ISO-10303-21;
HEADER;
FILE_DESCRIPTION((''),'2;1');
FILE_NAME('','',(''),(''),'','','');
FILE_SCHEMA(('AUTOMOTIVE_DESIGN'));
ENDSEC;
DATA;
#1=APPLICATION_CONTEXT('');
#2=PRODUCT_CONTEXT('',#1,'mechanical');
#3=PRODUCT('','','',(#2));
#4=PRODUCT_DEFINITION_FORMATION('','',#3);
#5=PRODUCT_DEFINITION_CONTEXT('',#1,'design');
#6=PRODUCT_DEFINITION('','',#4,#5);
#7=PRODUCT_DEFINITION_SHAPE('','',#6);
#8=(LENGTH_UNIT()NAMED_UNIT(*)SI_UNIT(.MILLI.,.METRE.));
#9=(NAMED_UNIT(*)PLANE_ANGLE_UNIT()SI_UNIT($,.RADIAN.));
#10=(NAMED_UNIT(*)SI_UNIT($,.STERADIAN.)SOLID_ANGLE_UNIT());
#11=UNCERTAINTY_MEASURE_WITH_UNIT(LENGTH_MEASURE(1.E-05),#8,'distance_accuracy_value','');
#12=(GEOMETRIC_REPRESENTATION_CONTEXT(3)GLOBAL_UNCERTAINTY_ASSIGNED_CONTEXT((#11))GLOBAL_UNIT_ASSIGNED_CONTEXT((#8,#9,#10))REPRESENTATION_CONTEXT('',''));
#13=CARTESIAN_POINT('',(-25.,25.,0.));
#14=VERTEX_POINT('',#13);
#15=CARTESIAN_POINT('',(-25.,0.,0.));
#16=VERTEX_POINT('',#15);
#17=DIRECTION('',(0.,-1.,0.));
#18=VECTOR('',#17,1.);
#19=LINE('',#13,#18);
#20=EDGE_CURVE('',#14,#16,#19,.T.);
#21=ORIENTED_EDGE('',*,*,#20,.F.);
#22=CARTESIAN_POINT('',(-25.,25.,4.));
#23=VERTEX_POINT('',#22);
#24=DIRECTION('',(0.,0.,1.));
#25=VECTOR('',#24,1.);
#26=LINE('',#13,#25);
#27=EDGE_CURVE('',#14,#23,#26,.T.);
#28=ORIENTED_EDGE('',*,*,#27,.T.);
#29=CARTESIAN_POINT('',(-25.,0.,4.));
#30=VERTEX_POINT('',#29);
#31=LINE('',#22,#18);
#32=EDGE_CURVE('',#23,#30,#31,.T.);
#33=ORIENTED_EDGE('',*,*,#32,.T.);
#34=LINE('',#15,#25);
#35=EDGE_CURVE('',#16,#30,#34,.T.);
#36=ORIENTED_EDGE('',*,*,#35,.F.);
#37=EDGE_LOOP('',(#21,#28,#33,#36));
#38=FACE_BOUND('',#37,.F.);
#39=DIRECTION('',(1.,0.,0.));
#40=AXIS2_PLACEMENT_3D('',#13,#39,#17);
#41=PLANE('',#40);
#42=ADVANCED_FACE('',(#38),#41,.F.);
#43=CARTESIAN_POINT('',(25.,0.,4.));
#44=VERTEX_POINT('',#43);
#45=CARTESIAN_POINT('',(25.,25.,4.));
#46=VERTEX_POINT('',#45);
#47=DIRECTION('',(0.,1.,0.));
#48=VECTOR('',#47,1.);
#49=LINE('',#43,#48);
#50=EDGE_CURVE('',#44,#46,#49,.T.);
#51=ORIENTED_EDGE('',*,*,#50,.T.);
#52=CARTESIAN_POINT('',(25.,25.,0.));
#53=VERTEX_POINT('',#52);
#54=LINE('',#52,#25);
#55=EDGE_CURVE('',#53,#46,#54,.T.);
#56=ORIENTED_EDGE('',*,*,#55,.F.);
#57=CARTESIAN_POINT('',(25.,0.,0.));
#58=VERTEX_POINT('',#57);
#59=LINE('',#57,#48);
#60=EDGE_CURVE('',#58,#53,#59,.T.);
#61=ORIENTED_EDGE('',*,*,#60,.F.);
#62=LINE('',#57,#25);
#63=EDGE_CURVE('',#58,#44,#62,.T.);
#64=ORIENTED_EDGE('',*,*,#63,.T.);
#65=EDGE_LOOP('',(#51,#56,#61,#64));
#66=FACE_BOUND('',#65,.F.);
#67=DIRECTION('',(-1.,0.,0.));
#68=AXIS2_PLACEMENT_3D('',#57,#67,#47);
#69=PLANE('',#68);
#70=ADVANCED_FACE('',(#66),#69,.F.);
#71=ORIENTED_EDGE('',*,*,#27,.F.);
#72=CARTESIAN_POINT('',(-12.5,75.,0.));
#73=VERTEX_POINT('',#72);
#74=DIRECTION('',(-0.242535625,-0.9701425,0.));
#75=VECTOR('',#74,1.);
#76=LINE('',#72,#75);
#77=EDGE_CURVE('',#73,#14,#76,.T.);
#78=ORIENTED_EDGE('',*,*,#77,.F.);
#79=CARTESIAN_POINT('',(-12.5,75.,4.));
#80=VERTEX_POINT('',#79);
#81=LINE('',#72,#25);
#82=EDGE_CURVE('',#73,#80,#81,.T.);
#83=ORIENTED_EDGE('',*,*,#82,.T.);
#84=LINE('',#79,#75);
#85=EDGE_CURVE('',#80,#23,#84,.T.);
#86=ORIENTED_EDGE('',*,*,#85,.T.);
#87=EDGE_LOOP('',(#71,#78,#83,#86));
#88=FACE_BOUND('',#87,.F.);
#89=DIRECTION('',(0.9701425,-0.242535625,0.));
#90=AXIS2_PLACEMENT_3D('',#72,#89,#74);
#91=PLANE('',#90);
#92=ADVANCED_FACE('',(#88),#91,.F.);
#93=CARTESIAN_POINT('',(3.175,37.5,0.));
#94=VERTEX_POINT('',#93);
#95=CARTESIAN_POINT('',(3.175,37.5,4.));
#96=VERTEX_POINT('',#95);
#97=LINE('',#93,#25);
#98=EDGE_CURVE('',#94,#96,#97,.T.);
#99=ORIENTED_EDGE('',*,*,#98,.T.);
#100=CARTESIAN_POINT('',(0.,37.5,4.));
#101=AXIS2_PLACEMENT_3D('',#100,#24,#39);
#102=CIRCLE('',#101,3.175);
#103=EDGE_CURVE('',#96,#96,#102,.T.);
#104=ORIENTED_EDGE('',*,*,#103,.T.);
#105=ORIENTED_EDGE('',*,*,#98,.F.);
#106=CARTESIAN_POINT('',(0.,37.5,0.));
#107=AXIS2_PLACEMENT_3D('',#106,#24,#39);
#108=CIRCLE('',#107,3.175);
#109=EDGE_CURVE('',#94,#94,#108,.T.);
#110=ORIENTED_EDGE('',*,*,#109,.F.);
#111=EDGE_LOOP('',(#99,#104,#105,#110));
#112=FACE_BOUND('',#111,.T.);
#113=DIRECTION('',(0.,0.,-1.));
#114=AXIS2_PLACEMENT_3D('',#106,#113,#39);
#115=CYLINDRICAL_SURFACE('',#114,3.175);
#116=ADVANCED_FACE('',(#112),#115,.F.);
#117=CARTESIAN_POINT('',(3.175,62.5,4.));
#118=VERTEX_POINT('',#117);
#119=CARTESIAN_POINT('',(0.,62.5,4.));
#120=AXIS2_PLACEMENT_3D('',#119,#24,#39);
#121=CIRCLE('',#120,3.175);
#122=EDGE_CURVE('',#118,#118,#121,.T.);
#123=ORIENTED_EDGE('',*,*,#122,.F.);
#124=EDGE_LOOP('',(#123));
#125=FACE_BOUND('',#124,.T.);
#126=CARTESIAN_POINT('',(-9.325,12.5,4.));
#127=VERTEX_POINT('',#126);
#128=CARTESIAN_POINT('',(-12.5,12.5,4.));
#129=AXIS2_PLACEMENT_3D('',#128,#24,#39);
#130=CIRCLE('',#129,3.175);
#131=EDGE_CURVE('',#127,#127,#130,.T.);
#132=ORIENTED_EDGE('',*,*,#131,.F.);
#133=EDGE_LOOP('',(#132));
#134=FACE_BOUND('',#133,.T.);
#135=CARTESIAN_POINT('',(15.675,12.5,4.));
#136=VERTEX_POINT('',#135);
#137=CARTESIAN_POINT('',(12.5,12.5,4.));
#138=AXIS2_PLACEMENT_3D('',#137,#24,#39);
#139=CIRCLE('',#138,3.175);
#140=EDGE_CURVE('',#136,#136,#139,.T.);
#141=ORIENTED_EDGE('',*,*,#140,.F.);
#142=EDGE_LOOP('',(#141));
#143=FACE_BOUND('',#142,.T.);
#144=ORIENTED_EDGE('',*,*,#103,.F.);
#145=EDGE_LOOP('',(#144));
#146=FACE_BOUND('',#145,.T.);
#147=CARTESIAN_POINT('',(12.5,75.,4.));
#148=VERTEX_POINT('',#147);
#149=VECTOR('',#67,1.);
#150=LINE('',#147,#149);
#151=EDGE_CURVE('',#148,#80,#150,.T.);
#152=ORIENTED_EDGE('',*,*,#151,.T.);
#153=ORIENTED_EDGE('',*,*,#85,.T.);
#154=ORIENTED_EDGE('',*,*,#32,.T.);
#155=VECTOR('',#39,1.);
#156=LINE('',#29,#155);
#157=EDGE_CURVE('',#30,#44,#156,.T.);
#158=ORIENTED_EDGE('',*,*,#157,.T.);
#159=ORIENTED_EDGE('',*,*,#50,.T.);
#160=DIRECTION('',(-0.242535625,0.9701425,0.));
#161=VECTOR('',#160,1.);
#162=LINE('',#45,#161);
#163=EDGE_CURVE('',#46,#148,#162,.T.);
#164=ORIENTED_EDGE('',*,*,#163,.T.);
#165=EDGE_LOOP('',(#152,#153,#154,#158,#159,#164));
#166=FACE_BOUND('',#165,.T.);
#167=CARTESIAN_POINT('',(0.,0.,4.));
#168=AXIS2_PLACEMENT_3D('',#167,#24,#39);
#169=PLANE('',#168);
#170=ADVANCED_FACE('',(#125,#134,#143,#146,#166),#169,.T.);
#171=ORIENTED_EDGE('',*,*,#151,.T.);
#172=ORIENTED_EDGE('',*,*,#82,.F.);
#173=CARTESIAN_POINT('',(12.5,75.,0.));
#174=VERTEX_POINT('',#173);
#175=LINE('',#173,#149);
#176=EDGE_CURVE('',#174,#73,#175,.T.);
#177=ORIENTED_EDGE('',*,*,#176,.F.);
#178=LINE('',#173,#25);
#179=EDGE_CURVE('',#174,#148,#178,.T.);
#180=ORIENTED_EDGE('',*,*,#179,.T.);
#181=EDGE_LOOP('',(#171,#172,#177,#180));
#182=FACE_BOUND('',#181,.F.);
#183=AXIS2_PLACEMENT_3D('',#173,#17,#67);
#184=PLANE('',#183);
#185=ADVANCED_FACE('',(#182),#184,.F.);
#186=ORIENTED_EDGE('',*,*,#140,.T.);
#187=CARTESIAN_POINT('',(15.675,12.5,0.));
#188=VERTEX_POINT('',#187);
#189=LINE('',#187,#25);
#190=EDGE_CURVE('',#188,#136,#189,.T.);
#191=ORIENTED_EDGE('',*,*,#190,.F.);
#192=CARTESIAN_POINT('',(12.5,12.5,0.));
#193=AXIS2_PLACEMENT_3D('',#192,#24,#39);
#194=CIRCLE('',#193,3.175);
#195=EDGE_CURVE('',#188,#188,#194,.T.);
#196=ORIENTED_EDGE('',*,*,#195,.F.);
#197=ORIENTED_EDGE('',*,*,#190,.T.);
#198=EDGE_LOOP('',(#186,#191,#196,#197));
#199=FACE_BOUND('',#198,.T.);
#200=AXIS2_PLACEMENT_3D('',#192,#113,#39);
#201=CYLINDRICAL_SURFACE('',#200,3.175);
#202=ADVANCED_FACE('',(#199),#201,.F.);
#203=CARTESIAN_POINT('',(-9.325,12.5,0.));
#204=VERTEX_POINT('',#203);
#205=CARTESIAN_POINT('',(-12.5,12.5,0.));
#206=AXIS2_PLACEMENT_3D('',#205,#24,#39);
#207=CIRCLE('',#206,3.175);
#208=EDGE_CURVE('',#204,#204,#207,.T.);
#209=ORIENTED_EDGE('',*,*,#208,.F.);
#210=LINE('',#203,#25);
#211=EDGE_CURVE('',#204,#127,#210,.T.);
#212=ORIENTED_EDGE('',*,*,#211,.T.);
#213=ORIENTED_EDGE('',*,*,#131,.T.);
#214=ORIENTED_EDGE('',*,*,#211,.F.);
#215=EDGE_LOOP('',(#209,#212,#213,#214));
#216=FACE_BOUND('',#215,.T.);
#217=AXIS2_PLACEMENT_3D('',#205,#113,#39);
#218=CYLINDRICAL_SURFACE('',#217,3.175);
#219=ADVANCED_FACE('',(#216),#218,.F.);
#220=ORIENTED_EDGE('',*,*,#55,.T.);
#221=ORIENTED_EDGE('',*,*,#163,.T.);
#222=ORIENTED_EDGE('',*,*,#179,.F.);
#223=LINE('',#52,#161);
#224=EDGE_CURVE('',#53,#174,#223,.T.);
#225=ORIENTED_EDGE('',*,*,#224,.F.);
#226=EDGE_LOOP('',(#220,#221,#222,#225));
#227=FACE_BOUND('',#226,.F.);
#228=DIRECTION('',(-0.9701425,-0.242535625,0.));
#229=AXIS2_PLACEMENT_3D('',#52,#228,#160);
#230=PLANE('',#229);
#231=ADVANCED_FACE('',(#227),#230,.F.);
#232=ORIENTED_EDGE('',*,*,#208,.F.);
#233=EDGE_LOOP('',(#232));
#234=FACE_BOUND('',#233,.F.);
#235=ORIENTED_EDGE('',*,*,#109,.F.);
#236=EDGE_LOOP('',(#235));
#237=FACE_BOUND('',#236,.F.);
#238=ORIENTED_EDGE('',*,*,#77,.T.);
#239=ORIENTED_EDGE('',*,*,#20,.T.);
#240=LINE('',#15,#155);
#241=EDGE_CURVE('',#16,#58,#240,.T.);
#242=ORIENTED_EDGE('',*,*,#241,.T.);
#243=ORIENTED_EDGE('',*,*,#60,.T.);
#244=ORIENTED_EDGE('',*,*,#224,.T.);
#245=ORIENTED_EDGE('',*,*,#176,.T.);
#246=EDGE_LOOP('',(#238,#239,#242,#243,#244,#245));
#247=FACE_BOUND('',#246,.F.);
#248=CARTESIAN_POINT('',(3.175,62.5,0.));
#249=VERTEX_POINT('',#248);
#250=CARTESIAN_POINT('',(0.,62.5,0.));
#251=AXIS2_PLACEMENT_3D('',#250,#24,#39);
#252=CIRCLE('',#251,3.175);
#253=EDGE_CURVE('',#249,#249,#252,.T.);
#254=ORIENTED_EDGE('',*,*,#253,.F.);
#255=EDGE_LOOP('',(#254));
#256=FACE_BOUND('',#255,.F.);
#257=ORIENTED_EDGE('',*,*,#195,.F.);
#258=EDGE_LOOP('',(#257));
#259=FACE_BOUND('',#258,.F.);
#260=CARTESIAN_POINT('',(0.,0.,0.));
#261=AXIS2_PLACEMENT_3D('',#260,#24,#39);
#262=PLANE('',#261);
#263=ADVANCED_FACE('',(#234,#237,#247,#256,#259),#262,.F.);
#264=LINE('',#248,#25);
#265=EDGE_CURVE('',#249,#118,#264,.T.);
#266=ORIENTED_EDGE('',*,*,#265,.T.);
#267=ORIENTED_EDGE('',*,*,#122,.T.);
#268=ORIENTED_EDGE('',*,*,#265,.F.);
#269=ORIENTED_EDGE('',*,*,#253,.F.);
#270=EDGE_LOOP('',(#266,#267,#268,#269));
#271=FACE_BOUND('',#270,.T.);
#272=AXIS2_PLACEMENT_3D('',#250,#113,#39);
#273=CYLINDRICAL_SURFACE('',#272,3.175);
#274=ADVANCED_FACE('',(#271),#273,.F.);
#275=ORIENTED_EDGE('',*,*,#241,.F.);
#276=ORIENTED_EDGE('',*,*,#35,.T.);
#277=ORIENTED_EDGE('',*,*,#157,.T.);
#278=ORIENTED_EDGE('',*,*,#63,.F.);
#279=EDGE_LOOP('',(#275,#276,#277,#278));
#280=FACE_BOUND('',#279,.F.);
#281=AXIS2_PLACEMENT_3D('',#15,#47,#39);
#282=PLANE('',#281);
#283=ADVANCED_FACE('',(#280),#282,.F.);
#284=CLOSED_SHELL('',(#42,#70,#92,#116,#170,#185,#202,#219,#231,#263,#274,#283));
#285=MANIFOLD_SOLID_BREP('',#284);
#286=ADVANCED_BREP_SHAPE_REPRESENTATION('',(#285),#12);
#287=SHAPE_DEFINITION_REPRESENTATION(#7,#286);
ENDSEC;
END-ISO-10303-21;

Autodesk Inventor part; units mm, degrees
ref_plane "YZ Plane" through (0, 0, 0) normal (1, 0, 0) x (0, 1, 0)
ref_plane "XZ Plane" through (0, 0, 0) normal (0, 1, 0) x (-1, 0, 0)
ref_plane "XY Plane" through (0, 0, 0) normal (0, 0, 1) x (1, 0, 0)
sketch "Sketch_1" plane through (0, 0, 0) normal (0, 0, 1) x (1, 0, 0)
  line L0 (-25, 25) -> (-25, 0)
  line L1 (-25, 0) -> (25, 0)
  line L2 (25, 0) -> (25, 25)
  line L3 (25, 25) -> (12.5, 75)
  line L4 (12.5, 75) -> (-12.5, 75)
  line L5 (-12.5, 75) -> (-25, 25)
  circle A0 centre (12.5, 12.5) radius 3.175
  circle A1 centre (0, 37.5) radius 3.175
  circle A2 centre (0, 62.5) radius 3.175
  circle A3 centre (-12.5, 12.5) radius 3.175
extrude "Extrusion1" add sketch "Sketch_1" along normal blind 4
properties part number "25-4141"
